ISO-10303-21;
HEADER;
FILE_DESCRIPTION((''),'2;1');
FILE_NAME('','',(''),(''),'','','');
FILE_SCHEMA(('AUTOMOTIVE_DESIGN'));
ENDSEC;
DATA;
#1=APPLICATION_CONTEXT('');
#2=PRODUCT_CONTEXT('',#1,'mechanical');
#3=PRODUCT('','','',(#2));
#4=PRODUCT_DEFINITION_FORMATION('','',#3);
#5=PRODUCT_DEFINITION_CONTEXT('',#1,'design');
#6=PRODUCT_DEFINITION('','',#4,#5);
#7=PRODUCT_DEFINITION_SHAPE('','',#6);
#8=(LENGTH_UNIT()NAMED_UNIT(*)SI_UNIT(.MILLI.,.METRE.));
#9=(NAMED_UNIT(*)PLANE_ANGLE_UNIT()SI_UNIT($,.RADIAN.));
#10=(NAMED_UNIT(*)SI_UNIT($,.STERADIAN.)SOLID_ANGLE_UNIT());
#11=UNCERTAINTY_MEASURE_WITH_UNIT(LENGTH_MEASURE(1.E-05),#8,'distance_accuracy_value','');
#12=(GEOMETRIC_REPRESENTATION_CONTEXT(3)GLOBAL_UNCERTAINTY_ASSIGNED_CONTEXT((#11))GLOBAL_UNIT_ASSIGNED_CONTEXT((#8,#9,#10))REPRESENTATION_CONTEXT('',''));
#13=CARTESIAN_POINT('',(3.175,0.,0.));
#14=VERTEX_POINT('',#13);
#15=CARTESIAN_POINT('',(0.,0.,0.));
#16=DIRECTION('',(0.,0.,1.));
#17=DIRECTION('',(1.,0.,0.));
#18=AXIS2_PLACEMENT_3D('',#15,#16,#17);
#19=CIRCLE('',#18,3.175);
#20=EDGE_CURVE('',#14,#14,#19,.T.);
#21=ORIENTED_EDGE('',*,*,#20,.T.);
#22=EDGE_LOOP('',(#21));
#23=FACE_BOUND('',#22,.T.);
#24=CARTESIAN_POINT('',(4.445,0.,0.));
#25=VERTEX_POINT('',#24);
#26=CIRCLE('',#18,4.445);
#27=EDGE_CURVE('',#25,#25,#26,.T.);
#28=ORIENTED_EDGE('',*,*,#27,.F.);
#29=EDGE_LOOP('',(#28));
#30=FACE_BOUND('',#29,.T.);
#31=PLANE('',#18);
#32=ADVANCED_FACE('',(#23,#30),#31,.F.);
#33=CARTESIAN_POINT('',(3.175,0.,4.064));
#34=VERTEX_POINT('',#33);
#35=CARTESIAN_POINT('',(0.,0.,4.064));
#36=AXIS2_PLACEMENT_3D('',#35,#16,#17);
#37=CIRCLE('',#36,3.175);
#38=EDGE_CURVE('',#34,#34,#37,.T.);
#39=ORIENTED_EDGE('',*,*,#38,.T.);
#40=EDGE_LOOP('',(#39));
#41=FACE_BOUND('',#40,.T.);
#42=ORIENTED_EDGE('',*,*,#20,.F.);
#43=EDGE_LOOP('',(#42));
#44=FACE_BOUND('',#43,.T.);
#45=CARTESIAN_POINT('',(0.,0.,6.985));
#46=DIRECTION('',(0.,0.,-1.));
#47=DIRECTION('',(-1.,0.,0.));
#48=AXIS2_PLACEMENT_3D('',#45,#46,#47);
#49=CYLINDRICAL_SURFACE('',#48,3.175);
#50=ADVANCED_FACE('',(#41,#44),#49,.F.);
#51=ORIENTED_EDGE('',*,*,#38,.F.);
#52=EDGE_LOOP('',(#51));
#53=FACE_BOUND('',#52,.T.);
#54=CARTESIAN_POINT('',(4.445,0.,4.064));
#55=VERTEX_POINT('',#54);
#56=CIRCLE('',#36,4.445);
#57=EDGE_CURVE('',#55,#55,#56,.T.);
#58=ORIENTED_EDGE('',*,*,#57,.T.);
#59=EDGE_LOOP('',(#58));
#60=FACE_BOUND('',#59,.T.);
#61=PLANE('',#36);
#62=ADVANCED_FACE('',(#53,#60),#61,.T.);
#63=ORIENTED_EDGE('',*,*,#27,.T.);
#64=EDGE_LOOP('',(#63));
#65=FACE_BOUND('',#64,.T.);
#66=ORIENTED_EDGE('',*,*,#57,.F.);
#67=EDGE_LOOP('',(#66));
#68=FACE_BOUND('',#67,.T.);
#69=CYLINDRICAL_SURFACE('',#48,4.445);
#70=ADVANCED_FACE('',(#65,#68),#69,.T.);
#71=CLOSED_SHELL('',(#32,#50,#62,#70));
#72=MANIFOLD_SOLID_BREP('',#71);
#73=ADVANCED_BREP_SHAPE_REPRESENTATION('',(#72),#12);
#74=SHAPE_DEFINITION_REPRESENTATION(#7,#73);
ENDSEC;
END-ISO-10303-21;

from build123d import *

# Parameters (mm, degrees)
SKETCH1_R           = 4.445
SKETCH1_R_2         = 3.175
BOSS_EXTRUDE1_DEPTH = 6.985
CUT_EXTRUDE1_START  = -2.921
SKETCH2_R           = 4.445
CUT_EXTRUDE1_DEPTH  = 2.921


with BuildPart() as part:
    # Sketch1 → Boss-Extrude1 (new body)
    with BuildSketch(Plane.XY):
        Circle(SKETCH1_R)
        Circle(SKETCH1_R_2, mode=Mode.SUBTRACT)
    extrude(amount=BOSS_EXTRUDE1_DEPTH)

    # Sketch2 → Cut-Extrude1 (cut)
    with BuildSketch(Plane.XY.offset(6.985).offset(CUT_EXTRUDE1_START)):
        Circle(SKETCH2_R)
    extrude(amount=CUT_EXTRUDE1_DEPTH, mode=Mode.SUBTRACT)


solid = part.part
